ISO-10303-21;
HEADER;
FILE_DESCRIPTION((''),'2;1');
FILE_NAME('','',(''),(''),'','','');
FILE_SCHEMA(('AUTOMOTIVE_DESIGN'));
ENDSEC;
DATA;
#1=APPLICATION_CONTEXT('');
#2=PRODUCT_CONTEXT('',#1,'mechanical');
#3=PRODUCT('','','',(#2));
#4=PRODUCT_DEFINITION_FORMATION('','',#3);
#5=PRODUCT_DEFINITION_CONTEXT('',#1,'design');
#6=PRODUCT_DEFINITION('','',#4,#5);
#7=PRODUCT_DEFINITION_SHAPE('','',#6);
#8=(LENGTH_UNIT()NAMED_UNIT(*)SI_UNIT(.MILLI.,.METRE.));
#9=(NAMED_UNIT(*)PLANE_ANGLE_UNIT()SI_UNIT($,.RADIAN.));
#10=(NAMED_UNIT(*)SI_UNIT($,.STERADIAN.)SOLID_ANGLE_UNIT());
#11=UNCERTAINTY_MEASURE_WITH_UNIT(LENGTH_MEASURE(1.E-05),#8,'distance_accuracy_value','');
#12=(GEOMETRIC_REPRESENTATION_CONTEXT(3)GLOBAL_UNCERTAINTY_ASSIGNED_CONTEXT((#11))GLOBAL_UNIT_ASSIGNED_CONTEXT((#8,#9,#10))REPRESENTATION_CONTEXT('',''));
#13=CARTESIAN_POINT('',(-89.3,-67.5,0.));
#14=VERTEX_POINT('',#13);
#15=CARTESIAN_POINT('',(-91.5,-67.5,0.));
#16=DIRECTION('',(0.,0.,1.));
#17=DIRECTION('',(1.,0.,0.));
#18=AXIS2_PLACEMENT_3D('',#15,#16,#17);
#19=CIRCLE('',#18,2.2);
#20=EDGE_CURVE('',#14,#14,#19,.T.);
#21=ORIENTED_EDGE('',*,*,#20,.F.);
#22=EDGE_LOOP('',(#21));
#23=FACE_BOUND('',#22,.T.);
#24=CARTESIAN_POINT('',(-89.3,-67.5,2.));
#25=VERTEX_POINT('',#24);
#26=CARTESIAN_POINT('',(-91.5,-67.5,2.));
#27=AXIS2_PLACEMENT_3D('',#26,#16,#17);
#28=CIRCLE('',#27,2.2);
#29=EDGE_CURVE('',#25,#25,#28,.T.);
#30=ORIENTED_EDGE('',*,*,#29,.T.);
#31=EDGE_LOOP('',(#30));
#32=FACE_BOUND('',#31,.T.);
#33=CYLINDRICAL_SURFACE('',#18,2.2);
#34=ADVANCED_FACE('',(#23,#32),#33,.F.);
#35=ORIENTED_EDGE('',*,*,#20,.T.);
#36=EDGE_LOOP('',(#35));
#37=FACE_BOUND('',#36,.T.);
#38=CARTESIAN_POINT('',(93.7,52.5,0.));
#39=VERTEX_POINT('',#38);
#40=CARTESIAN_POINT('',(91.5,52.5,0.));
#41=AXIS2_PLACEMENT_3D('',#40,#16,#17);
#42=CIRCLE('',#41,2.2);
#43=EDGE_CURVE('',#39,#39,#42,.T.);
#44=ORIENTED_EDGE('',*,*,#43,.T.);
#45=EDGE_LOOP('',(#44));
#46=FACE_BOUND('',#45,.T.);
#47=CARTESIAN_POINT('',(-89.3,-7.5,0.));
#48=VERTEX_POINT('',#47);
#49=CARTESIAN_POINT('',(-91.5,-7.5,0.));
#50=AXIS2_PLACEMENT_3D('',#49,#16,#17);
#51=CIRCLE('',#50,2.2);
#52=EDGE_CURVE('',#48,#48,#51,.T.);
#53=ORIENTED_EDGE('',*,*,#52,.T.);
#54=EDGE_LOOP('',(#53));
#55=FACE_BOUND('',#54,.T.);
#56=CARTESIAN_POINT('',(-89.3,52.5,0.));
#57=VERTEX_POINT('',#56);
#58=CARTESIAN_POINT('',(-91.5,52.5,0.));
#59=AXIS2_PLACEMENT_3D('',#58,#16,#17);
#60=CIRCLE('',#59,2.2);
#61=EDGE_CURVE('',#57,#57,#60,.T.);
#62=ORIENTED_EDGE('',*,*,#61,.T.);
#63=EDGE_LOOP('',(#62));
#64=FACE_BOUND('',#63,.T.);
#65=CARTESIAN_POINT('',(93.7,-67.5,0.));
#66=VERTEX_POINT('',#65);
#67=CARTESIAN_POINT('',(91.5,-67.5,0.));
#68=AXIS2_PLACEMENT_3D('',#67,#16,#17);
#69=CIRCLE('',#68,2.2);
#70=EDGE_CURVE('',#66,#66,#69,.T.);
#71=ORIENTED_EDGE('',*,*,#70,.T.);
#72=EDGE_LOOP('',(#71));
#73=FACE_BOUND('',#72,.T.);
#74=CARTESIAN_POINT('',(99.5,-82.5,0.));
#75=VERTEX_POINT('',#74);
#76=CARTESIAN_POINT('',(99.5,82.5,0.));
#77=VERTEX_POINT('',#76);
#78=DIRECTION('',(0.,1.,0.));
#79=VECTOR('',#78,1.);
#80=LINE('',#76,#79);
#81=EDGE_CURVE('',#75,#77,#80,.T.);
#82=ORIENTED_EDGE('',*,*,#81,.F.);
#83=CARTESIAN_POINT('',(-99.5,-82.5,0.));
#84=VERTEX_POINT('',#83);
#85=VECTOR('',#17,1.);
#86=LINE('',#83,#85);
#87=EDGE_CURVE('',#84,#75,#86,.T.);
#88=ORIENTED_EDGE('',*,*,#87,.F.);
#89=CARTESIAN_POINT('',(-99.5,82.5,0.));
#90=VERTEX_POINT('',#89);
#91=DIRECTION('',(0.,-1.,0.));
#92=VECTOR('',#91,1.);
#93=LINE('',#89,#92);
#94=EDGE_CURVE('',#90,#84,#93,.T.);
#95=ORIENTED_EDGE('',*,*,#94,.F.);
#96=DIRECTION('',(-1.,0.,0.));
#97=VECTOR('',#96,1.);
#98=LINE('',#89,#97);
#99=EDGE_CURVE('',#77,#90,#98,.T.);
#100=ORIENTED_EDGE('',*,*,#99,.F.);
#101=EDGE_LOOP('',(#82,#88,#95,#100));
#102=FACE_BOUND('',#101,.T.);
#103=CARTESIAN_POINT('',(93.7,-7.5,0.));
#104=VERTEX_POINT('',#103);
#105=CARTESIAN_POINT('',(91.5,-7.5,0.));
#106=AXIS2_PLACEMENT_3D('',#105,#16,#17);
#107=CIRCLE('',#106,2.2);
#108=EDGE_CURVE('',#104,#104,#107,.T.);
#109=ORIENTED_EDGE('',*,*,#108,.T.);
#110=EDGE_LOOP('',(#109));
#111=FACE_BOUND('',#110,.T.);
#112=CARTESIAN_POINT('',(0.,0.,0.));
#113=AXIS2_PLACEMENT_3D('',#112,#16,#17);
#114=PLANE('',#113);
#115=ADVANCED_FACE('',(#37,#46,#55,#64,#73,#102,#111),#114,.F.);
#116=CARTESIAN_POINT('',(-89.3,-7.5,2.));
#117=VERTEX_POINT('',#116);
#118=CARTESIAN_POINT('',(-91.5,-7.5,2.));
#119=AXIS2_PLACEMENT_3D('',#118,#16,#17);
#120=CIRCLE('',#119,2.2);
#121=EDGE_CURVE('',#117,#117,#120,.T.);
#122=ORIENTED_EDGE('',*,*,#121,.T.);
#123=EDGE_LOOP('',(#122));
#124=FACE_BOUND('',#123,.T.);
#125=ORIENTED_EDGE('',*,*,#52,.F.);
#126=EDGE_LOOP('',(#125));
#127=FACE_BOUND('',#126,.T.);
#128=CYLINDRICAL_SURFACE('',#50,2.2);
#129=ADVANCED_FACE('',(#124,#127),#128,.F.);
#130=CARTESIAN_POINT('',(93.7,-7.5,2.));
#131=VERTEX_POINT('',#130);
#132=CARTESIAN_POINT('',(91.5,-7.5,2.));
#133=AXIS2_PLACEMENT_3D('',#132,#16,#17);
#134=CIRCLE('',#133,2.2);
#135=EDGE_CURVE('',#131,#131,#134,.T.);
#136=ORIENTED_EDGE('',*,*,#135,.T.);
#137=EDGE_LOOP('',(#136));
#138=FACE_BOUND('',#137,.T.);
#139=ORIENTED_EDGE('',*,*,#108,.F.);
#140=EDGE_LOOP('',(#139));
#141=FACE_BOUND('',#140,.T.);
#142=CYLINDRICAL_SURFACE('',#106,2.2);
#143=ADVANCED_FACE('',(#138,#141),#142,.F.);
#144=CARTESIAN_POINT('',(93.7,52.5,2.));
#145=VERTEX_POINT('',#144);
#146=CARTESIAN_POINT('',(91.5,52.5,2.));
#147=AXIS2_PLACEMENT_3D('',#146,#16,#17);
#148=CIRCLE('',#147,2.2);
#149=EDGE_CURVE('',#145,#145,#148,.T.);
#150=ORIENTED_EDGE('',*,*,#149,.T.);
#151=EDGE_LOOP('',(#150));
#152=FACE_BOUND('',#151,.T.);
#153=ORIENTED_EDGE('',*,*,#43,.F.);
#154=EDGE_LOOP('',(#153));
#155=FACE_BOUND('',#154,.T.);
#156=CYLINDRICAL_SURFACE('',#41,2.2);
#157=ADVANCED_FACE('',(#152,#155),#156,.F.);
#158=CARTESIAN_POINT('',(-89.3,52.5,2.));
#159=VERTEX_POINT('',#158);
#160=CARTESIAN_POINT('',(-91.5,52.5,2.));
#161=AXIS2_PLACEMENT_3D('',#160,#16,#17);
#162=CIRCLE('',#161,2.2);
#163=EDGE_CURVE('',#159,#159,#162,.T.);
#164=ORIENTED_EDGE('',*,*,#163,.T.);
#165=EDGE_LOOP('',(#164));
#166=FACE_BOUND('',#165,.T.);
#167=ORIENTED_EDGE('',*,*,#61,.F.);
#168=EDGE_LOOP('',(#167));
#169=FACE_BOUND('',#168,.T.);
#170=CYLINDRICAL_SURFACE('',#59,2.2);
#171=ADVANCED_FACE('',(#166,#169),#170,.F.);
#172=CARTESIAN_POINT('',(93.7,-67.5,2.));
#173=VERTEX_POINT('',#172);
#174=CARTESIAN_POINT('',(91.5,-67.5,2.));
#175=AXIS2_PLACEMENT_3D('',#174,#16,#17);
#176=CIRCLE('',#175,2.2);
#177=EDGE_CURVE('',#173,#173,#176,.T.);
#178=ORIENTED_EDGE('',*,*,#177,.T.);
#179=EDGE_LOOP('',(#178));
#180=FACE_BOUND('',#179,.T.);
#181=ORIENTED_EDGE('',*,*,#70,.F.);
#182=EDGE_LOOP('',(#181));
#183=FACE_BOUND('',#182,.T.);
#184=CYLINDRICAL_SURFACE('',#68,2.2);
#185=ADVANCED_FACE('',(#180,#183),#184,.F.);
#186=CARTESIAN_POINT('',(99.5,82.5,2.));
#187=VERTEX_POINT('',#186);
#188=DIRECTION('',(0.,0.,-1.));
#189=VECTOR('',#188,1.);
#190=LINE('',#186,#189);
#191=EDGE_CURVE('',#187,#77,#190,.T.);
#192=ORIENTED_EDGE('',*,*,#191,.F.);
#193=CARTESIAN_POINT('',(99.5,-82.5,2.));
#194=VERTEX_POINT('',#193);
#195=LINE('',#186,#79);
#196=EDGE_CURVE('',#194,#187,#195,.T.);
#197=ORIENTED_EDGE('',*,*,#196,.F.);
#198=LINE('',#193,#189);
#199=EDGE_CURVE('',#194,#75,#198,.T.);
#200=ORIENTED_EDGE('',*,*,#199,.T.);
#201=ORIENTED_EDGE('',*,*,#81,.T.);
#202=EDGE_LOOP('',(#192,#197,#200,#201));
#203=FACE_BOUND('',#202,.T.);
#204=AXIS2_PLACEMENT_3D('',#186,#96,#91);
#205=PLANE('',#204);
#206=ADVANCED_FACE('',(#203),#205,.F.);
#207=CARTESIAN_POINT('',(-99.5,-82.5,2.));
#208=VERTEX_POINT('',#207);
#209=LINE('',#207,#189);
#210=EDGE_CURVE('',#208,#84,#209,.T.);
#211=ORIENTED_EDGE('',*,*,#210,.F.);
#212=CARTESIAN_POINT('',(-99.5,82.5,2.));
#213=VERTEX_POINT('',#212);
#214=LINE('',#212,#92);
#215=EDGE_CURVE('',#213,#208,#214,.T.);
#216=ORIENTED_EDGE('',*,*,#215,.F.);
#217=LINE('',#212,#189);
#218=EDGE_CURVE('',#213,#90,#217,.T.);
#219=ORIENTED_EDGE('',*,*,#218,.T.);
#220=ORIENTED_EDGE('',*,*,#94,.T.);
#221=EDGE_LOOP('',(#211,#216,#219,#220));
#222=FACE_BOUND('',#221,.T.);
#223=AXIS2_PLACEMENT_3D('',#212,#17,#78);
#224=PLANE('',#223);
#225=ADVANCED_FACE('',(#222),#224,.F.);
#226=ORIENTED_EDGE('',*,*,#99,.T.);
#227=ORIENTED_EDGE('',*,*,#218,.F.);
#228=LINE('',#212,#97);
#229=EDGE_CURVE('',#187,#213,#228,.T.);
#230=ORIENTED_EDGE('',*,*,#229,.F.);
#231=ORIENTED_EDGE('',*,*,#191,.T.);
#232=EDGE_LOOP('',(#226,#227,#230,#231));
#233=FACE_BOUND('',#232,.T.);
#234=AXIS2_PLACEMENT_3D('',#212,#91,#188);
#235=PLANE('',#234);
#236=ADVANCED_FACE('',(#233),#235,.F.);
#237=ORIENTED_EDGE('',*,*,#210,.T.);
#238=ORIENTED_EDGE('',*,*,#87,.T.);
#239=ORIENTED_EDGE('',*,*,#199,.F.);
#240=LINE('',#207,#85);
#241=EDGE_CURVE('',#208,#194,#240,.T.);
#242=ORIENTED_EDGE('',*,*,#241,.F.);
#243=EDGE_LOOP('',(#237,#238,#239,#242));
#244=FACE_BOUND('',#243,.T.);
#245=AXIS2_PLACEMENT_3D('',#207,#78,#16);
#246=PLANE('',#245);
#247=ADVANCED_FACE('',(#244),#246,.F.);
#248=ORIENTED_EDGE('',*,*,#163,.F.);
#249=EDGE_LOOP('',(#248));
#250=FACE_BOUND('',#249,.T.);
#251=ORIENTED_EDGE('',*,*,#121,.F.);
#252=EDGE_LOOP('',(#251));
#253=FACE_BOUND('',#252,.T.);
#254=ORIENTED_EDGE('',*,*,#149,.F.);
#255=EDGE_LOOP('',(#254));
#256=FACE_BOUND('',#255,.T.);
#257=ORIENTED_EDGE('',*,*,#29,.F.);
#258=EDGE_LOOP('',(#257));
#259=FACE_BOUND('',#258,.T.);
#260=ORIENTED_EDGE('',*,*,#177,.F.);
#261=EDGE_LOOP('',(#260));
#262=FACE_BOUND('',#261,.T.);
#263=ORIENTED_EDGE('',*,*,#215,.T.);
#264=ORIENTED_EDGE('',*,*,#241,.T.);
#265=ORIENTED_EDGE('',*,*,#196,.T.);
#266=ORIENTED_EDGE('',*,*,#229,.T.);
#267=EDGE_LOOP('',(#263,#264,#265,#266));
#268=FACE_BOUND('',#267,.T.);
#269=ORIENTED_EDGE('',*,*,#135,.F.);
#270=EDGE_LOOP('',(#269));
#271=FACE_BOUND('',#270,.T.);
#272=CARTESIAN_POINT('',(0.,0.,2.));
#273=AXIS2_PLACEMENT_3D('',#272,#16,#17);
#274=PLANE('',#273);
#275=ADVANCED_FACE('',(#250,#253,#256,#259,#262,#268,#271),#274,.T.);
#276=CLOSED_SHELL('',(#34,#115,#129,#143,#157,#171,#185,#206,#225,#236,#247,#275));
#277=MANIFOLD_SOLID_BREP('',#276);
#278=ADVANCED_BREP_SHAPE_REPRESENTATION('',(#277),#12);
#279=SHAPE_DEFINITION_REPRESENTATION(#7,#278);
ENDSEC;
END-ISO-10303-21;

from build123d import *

# Parameters (mm, degrees)
SKETCH_1_W          = 199
SKETCH_1_H          = 165
EXTRUDE_1_DEPTH     = 2
SKETCH_2_R          = 2.2
CUT_EXTRUDE_1_DEPTH = 2
SKETCH_3_R          = 2.2
CUT_EXTRUDE_2_DEPTH = 2


with BuildPart() as part:
    # ｽｹｯﾁ1 → ﾎﾞｽ - 押し出し1 (new body)
    with BuildSketch(Plane.XY):
        Rectangle(SKETCH_1_W, SKETCH_1_H)
    extrude(amount=EXTRUDE_1_DEPTH)

    # ｽｹｯﾁ2 → ｶｯﾄ - 押し出し1 (cut)
    with BuildSketch(Plane.XY.offset(2)):
        with Locations((-91.5, -67.5)):
            Circle(SKETCH_2_R)
        with Locations((-91.5, -7.5)):
            Circle(SKETCH_2_R)
        with Locations((-91.5, 52.5)):
            Circle(SKETCH_2_R)
    extrude(amount=-CUT_EXTRUDE_1_DEPTH, mode=Mode.SUBTRACT)

    # ｽｹｯﾁ3 → ｶｯﾄ - 押し出し2 (cut)
    with BuildSketch(Plane.XY.offset(2)):
        with Locations((91.5, -67.5)):
            Circle(SKETCH_3_R)
        with Locations((91.5, -7.5)):
            Circle(SKETCH_3_R)
        with Locations((91.5, 52.5)):
            Circle(SKETCH_3_R)
    extrude(amount=-CUT_EXTRUDE_2_DEPTH, mode=Mode.SUBTRACT)


solid = part.part
